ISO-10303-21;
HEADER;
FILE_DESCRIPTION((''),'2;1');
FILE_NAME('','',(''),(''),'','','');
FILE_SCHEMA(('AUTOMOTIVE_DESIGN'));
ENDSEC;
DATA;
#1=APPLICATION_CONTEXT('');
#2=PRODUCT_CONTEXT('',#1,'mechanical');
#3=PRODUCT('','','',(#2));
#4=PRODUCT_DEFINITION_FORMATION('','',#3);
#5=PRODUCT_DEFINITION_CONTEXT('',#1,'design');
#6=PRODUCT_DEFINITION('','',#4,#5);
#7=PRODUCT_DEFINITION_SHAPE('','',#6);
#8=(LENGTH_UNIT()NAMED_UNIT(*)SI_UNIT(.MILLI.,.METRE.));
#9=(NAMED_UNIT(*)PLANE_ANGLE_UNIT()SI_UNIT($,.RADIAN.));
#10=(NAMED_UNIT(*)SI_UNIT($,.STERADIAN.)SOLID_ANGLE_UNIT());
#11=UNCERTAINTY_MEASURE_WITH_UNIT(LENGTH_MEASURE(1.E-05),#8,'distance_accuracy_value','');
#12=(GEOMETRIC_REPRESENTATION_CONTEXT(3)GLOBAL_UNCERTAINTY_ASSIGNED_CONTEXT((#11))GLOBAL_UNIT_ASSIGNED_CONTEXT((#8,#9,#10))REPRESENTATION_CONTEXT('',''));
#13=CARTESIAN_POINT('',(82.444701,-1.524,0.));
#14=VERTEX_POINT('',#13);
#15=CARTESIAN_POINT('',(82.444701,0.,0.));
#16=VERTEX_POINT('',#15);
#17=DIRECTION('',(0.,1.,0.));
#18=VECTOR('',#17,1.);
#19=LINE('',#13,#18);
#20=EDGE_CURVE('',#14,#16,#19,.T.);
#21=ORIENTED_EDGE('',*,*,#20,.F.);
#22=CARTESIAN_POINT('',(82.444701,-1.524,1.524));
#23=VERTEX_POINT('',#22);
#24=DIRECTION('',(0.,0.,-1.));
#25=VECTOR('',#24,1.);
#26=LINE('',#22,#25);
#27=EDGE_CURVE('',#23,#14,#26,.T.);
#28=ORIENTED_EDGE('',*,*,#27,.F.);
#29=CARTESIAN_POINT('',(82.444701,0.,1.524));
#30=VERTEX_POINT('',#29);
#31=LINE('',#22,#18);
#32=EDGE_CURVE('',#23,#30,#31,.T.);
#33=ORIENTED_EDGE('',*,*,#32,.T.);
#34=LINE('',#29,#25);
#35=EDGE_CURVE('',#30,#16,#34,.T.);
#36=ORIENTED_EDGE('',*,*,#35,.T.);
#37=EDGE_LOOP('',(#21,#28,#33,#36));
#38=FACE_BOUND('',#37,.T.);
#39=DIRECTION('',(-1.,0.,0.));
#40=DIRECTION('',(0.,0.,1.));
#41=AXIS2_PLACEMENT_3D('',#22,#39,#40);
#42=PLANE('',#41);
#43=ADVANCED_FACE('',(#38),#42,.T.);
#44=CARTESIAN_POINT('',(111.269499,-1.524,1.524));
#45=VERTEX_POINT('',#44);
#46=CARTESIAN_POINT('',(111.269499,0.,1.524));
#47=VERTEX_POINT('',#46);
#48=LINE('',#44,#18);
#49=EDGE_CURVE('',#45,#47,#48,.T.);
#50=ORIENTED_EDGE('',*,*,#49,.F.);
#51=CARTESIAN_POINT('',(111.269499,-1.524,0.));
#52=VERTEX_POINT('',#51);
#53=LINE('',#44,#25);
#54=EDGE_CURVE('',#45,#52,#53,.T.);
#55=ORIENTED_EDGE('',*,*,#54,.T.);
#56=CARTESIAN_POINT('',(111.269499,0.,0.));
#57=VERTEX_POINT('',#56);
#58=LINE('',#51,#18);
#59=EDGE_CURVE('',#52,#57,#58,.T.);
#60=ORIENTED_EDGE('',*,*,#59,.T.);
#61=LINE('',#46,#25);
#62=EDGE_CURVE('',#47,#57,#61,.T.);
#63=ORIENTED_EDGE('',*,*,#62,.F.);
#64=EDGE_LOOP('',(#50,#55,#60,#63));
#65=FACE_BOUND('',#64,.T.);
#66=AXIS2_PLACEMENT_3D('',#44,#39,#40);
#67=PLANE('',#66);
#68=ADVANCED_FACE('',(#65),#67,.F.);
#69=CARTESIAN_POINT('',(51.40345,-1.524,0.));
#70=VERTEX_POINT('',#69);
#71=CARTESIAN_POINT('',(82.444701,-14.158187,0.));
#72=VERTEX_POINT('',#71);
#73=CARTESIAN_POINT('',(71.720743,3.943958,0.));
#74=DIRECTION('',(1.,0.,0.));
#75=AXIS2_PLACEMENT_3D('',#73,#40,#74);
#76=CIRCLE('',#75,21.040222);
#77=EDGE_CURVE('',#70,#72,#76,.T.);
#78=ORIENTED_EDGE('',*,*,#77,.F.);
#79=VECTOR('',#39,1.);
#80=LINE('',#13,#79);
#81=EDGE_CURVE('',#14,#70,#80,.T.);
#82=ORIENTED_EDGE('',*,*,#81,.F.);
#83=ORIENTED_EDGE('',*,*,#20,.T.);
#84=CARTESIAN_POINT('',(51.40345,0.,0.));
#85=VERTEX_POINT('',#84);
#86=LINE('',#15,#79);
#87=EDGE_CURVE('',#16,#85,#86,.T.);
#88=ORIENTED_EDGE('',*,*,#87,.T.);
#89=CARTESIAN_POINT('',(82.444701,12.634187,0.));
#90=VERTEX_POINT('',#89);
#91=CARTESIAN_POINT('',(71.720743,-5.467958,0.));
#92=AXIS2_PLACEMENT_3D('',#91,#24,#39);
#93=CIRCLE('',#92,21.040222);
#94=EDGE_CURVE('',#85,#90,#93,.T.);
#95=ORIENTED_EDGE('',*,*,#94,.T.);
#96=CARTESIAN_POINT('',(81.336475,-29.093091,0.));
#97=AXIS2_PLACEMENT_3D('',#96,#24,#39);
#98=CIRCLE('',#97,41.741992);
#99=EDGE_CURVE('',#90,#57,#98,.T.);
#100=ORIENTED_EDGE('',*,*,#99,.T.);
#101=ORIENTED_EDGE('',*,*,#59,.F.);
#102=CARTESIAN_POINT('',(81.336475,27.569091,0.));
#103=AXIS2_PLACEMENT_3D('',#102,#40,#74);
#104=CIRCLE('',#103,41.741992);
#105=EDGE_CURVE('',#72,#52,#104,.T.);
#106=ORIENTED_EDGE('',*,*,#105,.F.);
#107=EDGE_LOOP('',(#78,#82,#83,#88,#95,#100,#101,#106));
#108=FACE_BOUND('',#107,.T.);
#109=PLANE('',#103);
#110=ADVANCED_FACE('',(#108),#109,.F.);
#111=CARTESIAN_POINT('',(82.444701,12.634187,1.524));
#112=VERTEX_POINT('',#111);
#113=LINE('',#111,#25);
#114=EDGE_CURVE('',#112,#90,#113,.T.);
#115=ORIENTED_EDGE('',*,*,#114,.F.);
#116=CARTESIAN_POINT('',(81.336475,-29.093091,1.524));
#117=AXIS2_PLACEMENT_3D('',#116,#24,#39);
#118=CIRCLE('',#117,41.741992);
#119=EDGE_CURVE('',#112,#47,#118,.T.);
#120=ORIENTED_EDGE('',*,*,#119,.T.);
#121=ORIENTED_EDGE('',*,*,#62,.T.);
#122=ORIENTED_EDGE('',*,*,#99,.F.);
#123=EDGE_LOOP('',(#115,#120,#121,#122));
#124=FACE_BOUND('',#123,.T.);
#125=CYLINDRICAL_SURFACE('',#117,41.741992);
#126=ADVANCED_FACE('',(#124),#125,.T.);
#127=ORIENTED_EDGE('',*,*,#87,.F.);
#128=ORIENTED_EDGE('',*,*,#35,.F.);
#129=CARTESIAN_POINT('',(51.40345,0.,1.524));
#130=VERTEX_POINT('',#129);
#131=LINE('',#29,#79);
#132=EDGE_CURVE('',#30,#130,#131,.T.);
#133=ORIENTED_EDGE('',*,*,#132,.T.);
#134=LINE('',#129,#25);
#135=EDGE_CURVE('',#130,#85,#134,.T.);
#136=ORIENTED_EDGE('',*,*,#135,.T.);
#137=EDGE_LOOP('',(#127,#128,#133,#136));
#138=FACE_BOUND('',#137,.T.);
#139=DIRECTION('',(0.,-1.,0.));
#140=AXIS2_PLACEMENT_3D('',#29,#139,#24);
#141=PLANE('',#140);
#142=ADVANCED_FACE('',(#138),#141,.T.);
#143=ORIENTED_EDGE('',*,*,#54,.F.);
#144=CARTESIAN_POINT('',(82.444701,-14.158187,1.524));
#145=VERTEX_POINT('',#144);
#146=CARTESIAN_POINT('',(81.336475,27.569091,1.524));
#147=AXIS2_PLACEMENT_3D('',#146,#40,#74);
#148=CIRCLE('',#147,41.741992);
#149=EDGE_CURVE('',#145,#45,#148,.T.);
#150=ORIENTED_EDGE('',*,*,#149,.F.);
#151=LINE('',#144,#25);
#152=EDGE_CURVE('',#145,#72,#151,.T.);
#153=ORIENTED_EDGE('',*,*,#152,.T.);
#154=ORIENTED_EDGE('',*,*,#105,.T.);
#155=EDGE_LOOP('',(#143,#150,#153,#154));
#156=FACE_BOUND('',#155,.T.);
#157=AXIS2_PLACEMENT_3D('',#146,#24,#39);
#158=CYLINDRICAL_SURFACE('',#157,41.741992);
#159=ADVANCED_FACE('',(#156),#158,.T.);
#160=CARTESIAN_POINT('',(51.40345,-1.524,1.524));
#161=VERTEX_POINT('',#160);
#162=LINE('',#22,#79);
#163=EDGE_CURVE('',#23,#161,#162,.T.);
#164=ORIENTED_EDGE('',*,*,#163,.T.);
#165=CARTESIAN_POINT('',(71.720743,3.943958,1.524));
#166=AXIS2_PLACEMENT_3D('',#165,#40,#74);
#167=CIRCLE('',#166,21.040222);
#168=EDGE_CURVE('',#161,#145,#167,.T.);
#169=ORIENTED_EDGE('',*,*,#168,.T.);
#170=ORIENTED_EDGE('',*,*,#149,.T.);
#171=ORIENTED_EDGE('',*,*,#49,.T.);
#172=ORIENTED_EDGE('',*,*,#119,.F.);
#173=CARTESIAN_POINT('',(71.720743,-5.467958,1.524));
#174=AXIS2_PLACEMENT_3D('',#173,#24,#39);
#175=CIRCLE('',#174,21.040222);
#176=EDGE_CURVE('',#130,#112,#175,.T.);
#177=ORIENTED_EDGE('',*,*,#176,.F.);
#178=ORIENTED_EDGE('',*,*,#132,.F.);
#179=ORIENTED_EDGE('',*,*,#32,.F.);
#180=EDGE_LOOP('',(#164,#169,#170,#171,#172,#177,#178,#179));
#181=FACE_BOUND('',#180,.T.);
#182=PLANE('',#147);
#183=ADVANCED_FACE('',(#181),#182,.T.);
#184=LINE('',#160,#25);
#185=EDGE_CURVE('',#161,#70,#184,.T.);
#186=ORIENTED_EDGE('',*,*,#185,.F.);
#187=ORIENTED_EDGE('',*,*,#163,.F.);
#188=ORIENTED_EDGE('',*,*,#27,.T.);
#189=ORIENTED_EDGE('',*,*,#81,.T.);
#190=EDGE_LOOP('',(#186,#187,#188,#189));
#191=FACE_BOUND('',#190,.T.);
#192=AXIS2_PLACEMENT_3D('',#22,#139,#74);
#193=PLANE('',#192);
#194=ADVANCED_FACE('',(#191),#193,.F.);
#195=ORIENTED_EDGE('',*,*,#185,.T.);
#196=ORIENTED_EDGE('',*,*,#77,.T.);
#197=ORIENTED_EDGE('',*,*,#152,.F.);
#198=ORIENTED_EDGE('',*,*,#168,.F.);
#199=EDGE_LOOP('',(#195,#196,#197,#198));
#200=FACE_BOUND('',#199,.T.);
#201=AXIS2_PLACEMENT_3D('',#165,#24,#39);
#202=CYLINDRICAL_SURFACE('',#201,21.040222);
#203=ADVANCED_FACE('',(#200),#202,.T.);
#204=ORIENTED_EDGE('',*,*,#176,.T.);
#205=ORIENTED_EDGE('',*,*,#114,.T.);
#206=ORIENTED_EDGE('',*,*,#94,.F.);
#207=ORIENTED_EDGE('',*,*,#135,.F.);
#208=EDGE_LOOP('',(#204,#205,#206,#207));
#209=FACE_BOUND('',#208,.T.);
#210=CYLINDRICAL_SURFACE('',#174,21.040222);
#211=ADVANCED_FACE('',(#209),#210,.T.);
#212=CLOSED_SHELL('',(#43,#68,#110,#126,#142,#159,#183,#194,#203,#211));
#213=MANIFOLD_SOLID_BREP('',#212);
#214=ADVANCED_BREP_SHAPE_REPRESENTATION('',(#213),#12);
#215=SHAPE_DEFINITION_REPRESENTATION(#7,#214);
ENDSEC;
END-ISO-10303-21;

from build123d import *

# Parameters (mm, degrees)
BOSS_EXTRUDE1_DEPTH = 1.524


with BuildPart() as part:
    # Sketch1 → Boss-Extrude1 (new body)
    with BuildSketch(Plane.XY):
        with BuildLine():
            Line((82.44470135, -1.524), (82.44470135, 0))
            Line((82.44470135, 0), (51.403450054, 0))
            ThreePointArc((51.403450054, 0), (63.788927887, 14.019916875), (82.44470135, 12.634187153))
            ThreePointArc((82.44470135, 12.634187153), (98.093428139, 9.137765846), (111.269499156, 0))
            Line((111.269499156, 0), (111.269499156, -1.524))
            ThreePointArc((111.269499156, -1.524), (98.093428139, -10.661765846), (82.44470135, -14.158187153))
            ThreePointArc((82.44470135, -14.158187153), (63.788927887, -15.543916875), (51.403450054, -1.524))
            Line((51.403450054, -1.524), (82.44470135, -1.524))
        make_face()
    extrude(amount=BOSS_EXTRUDE1_DEPTH)


solid = part.part
